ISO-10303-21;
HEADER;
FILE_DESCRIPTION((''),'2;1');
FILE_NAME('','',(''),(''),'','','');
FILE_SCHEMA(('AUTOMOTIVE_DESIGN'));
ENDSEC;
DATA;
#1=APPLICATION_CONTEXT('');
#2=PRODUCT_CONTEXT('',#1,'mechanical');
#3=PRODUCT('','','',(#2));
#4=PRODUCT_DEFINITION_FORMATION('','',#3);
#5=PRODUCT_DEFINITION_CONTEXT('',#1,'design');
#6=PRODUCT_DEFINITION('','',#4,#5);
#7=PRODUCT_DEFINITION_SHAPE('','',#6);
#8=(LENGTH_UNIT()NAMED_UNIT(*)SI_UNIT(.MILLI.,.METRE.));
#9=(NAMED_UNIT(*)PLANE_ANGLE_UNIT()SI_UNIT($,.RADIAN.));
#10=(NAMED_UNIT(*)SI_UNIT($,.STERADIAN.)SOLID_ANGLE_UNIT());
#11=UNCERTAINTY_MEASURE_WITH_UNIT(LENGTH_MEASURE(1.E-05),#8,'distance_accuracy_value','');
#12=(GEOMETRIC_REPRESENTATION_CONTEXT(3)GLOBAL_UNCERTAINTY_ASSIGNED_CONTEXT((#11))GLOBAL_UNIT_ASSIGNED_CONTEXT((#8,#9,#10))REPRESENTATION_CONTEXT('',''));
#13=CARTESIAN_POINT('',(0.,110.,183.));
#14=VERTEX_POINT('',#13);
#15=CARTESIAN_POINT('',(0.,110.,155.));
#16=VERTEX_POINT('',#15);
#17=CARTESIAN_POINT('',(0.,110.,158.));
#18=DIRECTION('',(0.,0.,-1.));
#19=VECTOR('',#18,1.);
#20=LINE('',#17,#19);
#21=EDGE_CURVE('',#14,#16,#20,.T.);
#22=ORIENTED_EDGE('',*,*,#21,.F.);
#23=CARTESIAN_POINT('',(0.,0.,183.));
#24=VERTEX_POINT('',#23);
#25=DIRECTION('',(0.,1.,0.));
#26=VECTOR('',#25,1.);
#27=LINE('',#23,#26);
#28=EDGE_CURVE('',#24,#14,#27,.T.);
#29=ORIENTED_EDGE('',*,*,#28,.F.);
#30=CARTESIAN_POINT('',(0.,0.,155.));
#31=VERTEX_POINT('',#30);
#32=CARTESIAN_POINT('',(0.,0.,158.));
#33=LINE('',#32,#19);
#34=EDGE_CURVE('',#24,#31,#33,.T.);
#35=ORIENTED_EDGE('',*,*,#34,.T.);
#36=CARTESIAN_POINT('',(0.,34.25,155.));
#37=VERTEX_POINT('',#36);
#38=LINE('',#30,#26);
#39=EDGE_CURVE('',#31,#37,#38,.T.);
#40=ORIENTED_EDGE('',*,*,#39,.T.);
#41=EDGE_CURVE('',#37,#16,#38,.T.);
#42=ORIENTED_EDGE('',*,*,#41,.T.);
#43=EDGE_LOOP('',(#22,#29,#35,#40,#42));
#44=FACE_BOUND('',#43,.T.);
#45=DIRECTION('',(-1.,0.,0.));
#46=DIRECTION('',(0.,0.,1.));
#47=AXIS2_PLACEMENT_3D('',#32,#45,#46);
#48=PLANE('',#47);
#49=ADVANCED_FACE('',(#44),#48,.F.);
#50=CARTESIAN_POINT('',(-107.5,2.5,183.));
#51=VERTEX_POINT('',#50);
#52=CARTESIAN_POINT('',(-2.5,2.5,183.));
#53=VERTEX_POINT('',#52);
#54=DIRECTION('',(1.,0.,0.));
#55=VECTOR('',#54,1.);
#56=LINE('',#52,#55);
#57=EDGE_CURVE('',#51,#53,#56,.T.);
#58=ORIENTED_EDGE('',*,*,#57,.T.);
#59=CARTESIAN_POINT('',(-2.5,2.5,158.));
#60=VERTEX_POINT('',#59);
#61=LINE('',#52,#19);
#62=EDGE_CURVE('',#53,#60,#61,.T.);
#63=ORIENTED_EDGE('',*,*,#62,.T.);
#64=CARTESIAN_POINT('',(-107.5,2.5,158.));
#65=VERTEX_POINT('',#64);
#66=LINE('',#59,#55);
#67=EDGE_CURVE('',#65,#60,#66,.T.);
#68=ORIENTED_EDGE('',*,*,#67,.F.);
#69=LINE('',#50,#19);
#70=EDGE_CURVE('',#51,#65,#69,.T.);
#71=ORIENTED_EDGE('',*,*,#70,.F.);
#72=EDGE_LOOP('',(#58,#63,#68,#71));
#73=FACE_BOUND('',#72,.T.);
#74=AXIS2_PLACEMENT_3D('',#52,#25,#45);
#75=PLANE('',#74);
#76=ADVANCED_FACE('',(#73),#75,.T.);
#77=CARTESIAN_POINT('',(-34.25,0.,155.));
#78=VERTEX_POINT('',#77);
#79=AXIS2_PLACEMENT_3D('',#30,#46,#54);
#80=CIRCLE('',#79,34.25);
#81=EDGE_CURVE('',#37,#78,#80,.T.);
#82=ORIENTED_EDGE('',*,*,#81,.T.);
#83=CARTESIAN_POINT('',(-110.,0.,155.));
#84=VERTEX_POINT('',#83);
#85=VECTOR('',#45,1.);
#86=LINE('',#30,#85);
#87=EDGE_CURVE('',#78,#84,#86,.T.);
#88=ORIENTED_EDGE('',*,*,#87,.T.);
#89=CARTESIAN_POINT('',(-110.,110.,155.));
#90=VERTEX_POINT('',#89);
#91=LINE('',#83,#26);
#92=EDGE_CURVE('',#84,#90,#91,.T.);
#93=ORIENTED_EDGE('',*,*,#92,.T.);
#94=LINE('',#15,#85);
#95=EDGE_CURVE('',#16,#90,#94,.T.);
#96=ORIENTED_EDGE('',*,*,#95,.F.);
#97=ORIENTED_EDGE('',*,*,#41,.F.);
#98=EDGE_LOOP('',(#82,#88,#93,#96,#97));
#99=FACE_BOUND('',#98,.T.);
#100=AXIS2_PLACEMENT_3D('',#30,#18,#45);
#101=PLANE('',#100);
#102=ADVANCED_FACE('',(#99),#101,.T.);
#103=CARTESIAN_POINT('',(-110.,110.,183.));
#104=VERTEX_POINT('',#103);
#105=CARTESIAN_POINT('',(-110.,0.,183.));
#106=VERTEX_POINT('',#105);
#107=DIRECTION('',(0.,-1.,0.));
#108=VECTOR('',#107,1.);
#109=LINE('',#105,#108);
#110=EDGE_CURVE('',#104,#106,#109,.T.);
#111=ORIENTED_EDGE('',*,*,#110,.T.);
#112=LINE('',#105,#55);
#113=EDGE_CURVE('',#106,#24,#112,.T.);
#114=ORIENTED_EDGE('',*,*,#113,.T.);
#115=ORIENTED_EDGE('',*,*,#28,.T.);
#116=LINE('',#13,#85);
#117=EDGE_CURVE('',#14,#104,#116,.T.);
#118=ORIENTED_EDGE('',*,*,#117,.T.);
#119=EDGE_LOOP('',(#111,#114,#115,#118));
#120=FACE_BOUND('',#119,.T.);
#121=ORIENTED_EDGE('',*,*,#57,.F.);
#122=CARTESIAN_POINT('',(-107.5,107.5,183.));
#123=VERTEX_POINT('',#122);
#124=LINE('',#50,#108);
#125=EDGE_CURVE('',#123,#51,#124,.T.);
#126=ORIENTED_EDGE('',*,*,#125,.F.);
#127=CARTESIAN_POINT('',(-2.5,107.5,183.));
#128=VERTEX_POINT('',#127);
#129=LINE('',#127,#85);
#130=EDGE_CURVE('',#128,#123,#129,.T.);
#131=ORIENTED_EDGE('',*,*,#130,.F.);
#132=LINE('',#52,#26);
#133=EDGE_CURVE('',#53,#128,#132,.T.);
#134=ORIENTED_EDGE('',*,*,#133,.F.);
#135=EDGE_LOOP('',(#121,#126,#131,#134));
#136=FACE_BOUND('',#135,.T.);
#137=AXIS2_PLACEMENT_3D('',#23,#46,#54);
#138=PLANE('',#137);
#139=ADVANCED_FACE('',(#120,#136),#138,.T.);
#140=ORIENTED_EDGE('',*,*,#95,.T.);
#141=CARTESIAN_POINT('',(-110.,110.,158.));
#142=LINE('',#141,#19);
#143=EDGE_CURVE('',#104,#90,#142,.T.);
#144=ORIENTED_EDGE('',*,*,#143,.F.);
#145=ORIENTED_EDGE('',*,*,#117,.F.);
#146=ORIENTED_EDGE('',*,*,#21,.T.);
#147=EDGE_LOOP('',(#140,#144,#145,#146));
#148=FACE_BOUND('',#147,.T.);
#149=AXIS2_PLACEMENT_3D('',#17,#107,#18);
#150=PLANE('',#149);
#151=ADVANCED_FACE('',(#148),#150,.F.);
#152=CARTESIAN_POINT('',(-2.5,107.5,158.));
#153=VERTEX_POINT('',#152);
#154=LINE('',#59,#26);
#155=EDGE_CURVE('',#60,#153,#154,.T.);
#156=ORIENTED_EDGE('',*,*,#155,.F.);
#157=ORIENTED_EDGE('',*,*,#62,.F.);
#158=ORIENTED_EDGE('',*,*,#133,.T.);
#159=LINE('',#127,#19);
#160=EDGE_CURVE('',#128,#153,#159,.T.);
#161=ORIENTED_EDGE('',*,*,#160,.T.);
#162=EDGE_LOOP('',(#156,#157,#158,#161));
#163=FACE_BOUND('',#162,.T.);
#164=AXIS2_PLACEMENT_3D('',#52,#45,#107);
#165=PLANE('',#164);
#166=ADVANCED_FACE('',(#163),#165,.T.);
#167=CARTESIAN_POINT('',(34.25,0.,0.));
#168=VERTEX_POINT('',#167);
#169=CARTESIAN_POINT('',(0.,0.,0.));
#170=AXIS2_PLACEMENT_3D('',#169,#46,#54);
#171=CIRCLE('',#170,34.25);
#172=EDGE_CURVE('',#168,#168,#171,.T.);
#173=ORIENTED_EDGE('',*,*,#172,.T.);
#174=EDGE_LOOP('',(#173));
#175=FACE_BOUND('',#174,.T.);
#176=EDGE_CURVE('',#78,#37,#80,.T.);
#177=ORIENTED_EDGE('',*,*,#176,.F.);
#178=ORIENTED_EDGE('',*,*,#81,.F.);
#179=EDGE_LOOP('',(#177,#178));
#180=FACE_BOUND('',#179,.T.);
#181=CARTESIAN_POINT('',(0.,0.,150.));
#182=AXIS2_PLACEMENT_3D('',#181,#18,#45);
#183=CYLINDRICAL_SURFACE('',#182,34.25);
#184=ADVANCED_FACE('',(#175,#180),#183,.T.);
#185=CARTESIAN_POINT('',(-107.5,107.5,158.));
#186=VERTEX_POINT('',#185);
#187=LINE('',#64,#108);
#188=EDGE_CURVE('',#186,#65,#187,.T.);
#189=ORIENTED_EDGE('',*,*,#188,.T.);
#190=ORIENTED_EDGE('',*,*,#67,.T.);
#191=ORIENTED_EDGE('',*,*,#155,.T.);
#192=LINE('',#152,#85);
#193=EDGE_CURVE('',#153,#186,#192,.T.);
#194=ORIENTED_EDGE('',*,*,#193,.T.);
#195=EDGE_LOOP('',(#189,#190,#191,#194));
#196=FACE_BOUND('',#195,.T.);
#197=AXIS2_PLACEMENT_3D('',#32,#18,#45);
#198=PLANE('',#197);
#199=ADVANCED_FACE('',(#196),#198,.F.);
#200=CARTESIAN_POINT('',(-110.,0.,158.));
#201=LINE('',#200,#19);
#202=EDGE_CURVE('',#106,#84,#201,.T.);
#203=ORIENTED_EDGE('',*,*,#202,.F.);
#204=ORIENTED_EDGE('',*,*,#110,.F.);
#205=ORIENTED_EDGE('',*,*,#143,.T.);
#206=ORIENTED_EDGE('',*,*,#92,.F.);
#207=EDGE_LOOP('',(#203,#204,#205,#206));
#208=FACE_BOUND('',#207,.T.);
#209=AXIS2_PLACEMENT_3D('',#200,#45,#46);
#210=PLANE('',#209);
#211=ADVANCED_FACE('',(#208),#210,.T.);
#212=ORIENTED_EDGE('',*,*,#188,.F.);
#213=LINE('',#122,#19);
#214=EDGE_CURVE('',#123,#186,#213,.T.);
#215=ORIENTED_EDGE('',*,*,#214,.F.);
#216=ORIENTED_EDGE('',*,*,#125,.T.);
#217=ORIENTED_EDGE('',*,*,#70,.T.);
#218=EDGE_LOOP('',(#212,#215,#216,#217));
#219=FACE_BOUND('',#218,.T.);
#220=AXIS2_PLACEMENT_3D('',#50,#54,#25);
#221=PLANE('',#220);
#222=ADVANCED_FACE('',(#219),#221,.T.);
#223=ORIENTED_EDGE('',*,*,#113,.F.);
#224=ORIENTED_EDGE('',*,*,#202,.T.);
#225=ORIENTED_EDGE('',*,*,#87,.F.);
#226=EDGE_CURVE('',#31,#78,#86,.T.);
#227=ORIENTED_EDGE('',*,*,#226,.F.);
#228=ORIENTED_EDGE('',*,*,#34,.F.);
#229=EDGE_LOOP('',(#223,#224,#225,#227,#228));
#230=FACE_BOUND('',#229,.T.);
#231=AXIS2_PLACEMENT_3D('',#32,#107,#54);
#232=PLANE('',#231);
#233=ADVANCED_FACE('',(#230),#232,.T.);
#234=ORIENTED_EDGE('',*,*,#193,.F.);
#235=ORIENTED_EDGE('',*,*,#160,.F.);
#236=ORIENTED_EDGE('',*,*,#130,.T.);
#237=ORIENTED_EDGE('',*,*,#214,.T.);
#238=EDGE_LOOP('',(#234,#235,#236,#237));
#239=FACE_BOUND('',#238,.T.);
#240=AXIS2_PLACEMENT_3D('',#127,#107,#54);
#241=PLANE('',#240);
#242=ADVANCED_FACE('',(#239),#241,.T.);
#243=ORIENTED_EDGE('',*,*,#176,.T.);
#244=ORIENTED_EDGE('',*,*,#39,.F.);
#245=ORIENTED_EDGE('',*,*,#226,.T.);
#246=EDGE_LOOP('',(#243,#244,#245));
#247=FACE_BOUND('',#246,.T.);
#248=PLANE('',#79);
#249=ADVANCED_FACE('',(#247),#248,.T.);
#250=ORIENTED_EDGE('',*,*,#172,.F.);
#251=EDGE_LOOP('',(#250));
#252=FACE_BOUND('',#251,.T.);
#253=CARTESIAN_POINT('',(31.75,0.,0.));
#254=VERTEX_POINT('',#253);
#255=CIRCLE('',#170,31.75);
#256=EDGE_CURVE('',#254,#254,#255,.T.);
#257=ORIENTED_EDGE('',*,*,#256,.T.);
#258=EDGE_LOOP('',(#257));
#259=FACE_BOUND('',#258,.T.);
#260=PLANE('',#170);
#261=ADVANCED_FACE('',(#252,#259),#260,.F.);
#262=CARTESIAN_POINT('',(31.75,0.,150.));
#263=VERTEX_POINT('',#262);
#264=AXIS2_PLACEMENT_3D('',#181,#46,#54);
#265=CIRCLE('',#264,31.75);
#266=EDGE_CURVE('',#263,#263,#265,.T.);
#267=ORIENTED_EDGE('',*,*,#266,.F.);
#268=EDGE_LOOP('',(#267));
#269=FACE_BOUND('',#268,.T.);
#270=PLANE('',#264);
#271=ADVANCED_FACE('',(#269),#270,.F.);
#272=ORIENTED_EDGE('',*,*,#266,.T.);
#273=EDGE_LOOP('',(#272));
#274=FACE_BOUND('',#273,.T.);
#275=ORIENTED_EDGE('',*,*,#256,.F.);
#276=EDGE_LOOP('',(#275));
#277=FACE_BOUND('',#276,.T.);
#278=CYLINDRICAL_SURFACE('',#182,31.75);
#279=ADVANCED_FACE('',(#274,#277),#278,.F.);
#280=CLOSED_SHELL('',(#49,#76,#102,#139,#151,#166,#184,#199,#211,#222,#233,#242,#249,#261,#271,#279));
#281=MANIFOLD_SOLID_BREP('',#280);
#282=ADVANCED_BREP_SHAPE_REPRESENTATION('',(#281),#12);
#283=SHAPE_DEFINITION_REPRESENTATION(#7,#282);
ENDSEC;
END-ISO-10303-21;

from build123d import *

# Parameters (mm, degrees)
SKETCH_1_R      = 34.25
SKETCH_1_R_2    = 31.75
EXTRUDE_1_DEPTH = 150
SKETCH_3_R      = 34.25
EXTRUDE_2_DEPTH = 5
SKETCH_4_W      = 110
SKETCH_4_H      = 110
EXTRUDE_3_DEPTH = 3
SKETCH_5_W      = 110
SKETCH_5_H      = 110
SKETCH_5_W_2    = 105
SKETCH_5_H_2    = 105
EXTRUDE_4_DEPTH = 25


with BuildPart() as part:
    # 草圖1 → 填料-伸長1 (new body)
    with BuildSketch(Plane.XY):
        Circle(SKETCH_1_R)
        Circle(SKETCH_1_R_2, mode=Mode.SUBTRACT)
    extrude(amount=EXTRUDE_1_DEPTH)

    # 草圖3 → 填料-伸長2 (add)
    with BuildSketch(Plane.XY.offset(150)):
        Circle(SKETCH_3_R)
    extrude(amount=EXTRUDE_2_DEPTH)

    # 草圖4 → 填料-伸長3 (add)
    with BuildSketch(Plane.XY.offset(155)):
        with Locations((-55, 55)):
            Rectangle(SKETCH_4_W, SKETCH_4_H)
    extrude(amount=EXTRUDE_3_DEPTH)

    # 草圖5 → 填料-伸長4 (add)
    with BuildSketch(Plane.XY.offset(158)):
        with Locations((-55, 55)):
            Rectangle(SKETCH_5_W, SKETCH_5_H)
        with Locations((-55, 55)):
            Rectangle(SKETCH_5_W_2, SKETCH_5_H_2, mode=Mode.SUBTRACT)
    extrude(amount=EXTRUDE_4_DEPTH)


solid = part.part
